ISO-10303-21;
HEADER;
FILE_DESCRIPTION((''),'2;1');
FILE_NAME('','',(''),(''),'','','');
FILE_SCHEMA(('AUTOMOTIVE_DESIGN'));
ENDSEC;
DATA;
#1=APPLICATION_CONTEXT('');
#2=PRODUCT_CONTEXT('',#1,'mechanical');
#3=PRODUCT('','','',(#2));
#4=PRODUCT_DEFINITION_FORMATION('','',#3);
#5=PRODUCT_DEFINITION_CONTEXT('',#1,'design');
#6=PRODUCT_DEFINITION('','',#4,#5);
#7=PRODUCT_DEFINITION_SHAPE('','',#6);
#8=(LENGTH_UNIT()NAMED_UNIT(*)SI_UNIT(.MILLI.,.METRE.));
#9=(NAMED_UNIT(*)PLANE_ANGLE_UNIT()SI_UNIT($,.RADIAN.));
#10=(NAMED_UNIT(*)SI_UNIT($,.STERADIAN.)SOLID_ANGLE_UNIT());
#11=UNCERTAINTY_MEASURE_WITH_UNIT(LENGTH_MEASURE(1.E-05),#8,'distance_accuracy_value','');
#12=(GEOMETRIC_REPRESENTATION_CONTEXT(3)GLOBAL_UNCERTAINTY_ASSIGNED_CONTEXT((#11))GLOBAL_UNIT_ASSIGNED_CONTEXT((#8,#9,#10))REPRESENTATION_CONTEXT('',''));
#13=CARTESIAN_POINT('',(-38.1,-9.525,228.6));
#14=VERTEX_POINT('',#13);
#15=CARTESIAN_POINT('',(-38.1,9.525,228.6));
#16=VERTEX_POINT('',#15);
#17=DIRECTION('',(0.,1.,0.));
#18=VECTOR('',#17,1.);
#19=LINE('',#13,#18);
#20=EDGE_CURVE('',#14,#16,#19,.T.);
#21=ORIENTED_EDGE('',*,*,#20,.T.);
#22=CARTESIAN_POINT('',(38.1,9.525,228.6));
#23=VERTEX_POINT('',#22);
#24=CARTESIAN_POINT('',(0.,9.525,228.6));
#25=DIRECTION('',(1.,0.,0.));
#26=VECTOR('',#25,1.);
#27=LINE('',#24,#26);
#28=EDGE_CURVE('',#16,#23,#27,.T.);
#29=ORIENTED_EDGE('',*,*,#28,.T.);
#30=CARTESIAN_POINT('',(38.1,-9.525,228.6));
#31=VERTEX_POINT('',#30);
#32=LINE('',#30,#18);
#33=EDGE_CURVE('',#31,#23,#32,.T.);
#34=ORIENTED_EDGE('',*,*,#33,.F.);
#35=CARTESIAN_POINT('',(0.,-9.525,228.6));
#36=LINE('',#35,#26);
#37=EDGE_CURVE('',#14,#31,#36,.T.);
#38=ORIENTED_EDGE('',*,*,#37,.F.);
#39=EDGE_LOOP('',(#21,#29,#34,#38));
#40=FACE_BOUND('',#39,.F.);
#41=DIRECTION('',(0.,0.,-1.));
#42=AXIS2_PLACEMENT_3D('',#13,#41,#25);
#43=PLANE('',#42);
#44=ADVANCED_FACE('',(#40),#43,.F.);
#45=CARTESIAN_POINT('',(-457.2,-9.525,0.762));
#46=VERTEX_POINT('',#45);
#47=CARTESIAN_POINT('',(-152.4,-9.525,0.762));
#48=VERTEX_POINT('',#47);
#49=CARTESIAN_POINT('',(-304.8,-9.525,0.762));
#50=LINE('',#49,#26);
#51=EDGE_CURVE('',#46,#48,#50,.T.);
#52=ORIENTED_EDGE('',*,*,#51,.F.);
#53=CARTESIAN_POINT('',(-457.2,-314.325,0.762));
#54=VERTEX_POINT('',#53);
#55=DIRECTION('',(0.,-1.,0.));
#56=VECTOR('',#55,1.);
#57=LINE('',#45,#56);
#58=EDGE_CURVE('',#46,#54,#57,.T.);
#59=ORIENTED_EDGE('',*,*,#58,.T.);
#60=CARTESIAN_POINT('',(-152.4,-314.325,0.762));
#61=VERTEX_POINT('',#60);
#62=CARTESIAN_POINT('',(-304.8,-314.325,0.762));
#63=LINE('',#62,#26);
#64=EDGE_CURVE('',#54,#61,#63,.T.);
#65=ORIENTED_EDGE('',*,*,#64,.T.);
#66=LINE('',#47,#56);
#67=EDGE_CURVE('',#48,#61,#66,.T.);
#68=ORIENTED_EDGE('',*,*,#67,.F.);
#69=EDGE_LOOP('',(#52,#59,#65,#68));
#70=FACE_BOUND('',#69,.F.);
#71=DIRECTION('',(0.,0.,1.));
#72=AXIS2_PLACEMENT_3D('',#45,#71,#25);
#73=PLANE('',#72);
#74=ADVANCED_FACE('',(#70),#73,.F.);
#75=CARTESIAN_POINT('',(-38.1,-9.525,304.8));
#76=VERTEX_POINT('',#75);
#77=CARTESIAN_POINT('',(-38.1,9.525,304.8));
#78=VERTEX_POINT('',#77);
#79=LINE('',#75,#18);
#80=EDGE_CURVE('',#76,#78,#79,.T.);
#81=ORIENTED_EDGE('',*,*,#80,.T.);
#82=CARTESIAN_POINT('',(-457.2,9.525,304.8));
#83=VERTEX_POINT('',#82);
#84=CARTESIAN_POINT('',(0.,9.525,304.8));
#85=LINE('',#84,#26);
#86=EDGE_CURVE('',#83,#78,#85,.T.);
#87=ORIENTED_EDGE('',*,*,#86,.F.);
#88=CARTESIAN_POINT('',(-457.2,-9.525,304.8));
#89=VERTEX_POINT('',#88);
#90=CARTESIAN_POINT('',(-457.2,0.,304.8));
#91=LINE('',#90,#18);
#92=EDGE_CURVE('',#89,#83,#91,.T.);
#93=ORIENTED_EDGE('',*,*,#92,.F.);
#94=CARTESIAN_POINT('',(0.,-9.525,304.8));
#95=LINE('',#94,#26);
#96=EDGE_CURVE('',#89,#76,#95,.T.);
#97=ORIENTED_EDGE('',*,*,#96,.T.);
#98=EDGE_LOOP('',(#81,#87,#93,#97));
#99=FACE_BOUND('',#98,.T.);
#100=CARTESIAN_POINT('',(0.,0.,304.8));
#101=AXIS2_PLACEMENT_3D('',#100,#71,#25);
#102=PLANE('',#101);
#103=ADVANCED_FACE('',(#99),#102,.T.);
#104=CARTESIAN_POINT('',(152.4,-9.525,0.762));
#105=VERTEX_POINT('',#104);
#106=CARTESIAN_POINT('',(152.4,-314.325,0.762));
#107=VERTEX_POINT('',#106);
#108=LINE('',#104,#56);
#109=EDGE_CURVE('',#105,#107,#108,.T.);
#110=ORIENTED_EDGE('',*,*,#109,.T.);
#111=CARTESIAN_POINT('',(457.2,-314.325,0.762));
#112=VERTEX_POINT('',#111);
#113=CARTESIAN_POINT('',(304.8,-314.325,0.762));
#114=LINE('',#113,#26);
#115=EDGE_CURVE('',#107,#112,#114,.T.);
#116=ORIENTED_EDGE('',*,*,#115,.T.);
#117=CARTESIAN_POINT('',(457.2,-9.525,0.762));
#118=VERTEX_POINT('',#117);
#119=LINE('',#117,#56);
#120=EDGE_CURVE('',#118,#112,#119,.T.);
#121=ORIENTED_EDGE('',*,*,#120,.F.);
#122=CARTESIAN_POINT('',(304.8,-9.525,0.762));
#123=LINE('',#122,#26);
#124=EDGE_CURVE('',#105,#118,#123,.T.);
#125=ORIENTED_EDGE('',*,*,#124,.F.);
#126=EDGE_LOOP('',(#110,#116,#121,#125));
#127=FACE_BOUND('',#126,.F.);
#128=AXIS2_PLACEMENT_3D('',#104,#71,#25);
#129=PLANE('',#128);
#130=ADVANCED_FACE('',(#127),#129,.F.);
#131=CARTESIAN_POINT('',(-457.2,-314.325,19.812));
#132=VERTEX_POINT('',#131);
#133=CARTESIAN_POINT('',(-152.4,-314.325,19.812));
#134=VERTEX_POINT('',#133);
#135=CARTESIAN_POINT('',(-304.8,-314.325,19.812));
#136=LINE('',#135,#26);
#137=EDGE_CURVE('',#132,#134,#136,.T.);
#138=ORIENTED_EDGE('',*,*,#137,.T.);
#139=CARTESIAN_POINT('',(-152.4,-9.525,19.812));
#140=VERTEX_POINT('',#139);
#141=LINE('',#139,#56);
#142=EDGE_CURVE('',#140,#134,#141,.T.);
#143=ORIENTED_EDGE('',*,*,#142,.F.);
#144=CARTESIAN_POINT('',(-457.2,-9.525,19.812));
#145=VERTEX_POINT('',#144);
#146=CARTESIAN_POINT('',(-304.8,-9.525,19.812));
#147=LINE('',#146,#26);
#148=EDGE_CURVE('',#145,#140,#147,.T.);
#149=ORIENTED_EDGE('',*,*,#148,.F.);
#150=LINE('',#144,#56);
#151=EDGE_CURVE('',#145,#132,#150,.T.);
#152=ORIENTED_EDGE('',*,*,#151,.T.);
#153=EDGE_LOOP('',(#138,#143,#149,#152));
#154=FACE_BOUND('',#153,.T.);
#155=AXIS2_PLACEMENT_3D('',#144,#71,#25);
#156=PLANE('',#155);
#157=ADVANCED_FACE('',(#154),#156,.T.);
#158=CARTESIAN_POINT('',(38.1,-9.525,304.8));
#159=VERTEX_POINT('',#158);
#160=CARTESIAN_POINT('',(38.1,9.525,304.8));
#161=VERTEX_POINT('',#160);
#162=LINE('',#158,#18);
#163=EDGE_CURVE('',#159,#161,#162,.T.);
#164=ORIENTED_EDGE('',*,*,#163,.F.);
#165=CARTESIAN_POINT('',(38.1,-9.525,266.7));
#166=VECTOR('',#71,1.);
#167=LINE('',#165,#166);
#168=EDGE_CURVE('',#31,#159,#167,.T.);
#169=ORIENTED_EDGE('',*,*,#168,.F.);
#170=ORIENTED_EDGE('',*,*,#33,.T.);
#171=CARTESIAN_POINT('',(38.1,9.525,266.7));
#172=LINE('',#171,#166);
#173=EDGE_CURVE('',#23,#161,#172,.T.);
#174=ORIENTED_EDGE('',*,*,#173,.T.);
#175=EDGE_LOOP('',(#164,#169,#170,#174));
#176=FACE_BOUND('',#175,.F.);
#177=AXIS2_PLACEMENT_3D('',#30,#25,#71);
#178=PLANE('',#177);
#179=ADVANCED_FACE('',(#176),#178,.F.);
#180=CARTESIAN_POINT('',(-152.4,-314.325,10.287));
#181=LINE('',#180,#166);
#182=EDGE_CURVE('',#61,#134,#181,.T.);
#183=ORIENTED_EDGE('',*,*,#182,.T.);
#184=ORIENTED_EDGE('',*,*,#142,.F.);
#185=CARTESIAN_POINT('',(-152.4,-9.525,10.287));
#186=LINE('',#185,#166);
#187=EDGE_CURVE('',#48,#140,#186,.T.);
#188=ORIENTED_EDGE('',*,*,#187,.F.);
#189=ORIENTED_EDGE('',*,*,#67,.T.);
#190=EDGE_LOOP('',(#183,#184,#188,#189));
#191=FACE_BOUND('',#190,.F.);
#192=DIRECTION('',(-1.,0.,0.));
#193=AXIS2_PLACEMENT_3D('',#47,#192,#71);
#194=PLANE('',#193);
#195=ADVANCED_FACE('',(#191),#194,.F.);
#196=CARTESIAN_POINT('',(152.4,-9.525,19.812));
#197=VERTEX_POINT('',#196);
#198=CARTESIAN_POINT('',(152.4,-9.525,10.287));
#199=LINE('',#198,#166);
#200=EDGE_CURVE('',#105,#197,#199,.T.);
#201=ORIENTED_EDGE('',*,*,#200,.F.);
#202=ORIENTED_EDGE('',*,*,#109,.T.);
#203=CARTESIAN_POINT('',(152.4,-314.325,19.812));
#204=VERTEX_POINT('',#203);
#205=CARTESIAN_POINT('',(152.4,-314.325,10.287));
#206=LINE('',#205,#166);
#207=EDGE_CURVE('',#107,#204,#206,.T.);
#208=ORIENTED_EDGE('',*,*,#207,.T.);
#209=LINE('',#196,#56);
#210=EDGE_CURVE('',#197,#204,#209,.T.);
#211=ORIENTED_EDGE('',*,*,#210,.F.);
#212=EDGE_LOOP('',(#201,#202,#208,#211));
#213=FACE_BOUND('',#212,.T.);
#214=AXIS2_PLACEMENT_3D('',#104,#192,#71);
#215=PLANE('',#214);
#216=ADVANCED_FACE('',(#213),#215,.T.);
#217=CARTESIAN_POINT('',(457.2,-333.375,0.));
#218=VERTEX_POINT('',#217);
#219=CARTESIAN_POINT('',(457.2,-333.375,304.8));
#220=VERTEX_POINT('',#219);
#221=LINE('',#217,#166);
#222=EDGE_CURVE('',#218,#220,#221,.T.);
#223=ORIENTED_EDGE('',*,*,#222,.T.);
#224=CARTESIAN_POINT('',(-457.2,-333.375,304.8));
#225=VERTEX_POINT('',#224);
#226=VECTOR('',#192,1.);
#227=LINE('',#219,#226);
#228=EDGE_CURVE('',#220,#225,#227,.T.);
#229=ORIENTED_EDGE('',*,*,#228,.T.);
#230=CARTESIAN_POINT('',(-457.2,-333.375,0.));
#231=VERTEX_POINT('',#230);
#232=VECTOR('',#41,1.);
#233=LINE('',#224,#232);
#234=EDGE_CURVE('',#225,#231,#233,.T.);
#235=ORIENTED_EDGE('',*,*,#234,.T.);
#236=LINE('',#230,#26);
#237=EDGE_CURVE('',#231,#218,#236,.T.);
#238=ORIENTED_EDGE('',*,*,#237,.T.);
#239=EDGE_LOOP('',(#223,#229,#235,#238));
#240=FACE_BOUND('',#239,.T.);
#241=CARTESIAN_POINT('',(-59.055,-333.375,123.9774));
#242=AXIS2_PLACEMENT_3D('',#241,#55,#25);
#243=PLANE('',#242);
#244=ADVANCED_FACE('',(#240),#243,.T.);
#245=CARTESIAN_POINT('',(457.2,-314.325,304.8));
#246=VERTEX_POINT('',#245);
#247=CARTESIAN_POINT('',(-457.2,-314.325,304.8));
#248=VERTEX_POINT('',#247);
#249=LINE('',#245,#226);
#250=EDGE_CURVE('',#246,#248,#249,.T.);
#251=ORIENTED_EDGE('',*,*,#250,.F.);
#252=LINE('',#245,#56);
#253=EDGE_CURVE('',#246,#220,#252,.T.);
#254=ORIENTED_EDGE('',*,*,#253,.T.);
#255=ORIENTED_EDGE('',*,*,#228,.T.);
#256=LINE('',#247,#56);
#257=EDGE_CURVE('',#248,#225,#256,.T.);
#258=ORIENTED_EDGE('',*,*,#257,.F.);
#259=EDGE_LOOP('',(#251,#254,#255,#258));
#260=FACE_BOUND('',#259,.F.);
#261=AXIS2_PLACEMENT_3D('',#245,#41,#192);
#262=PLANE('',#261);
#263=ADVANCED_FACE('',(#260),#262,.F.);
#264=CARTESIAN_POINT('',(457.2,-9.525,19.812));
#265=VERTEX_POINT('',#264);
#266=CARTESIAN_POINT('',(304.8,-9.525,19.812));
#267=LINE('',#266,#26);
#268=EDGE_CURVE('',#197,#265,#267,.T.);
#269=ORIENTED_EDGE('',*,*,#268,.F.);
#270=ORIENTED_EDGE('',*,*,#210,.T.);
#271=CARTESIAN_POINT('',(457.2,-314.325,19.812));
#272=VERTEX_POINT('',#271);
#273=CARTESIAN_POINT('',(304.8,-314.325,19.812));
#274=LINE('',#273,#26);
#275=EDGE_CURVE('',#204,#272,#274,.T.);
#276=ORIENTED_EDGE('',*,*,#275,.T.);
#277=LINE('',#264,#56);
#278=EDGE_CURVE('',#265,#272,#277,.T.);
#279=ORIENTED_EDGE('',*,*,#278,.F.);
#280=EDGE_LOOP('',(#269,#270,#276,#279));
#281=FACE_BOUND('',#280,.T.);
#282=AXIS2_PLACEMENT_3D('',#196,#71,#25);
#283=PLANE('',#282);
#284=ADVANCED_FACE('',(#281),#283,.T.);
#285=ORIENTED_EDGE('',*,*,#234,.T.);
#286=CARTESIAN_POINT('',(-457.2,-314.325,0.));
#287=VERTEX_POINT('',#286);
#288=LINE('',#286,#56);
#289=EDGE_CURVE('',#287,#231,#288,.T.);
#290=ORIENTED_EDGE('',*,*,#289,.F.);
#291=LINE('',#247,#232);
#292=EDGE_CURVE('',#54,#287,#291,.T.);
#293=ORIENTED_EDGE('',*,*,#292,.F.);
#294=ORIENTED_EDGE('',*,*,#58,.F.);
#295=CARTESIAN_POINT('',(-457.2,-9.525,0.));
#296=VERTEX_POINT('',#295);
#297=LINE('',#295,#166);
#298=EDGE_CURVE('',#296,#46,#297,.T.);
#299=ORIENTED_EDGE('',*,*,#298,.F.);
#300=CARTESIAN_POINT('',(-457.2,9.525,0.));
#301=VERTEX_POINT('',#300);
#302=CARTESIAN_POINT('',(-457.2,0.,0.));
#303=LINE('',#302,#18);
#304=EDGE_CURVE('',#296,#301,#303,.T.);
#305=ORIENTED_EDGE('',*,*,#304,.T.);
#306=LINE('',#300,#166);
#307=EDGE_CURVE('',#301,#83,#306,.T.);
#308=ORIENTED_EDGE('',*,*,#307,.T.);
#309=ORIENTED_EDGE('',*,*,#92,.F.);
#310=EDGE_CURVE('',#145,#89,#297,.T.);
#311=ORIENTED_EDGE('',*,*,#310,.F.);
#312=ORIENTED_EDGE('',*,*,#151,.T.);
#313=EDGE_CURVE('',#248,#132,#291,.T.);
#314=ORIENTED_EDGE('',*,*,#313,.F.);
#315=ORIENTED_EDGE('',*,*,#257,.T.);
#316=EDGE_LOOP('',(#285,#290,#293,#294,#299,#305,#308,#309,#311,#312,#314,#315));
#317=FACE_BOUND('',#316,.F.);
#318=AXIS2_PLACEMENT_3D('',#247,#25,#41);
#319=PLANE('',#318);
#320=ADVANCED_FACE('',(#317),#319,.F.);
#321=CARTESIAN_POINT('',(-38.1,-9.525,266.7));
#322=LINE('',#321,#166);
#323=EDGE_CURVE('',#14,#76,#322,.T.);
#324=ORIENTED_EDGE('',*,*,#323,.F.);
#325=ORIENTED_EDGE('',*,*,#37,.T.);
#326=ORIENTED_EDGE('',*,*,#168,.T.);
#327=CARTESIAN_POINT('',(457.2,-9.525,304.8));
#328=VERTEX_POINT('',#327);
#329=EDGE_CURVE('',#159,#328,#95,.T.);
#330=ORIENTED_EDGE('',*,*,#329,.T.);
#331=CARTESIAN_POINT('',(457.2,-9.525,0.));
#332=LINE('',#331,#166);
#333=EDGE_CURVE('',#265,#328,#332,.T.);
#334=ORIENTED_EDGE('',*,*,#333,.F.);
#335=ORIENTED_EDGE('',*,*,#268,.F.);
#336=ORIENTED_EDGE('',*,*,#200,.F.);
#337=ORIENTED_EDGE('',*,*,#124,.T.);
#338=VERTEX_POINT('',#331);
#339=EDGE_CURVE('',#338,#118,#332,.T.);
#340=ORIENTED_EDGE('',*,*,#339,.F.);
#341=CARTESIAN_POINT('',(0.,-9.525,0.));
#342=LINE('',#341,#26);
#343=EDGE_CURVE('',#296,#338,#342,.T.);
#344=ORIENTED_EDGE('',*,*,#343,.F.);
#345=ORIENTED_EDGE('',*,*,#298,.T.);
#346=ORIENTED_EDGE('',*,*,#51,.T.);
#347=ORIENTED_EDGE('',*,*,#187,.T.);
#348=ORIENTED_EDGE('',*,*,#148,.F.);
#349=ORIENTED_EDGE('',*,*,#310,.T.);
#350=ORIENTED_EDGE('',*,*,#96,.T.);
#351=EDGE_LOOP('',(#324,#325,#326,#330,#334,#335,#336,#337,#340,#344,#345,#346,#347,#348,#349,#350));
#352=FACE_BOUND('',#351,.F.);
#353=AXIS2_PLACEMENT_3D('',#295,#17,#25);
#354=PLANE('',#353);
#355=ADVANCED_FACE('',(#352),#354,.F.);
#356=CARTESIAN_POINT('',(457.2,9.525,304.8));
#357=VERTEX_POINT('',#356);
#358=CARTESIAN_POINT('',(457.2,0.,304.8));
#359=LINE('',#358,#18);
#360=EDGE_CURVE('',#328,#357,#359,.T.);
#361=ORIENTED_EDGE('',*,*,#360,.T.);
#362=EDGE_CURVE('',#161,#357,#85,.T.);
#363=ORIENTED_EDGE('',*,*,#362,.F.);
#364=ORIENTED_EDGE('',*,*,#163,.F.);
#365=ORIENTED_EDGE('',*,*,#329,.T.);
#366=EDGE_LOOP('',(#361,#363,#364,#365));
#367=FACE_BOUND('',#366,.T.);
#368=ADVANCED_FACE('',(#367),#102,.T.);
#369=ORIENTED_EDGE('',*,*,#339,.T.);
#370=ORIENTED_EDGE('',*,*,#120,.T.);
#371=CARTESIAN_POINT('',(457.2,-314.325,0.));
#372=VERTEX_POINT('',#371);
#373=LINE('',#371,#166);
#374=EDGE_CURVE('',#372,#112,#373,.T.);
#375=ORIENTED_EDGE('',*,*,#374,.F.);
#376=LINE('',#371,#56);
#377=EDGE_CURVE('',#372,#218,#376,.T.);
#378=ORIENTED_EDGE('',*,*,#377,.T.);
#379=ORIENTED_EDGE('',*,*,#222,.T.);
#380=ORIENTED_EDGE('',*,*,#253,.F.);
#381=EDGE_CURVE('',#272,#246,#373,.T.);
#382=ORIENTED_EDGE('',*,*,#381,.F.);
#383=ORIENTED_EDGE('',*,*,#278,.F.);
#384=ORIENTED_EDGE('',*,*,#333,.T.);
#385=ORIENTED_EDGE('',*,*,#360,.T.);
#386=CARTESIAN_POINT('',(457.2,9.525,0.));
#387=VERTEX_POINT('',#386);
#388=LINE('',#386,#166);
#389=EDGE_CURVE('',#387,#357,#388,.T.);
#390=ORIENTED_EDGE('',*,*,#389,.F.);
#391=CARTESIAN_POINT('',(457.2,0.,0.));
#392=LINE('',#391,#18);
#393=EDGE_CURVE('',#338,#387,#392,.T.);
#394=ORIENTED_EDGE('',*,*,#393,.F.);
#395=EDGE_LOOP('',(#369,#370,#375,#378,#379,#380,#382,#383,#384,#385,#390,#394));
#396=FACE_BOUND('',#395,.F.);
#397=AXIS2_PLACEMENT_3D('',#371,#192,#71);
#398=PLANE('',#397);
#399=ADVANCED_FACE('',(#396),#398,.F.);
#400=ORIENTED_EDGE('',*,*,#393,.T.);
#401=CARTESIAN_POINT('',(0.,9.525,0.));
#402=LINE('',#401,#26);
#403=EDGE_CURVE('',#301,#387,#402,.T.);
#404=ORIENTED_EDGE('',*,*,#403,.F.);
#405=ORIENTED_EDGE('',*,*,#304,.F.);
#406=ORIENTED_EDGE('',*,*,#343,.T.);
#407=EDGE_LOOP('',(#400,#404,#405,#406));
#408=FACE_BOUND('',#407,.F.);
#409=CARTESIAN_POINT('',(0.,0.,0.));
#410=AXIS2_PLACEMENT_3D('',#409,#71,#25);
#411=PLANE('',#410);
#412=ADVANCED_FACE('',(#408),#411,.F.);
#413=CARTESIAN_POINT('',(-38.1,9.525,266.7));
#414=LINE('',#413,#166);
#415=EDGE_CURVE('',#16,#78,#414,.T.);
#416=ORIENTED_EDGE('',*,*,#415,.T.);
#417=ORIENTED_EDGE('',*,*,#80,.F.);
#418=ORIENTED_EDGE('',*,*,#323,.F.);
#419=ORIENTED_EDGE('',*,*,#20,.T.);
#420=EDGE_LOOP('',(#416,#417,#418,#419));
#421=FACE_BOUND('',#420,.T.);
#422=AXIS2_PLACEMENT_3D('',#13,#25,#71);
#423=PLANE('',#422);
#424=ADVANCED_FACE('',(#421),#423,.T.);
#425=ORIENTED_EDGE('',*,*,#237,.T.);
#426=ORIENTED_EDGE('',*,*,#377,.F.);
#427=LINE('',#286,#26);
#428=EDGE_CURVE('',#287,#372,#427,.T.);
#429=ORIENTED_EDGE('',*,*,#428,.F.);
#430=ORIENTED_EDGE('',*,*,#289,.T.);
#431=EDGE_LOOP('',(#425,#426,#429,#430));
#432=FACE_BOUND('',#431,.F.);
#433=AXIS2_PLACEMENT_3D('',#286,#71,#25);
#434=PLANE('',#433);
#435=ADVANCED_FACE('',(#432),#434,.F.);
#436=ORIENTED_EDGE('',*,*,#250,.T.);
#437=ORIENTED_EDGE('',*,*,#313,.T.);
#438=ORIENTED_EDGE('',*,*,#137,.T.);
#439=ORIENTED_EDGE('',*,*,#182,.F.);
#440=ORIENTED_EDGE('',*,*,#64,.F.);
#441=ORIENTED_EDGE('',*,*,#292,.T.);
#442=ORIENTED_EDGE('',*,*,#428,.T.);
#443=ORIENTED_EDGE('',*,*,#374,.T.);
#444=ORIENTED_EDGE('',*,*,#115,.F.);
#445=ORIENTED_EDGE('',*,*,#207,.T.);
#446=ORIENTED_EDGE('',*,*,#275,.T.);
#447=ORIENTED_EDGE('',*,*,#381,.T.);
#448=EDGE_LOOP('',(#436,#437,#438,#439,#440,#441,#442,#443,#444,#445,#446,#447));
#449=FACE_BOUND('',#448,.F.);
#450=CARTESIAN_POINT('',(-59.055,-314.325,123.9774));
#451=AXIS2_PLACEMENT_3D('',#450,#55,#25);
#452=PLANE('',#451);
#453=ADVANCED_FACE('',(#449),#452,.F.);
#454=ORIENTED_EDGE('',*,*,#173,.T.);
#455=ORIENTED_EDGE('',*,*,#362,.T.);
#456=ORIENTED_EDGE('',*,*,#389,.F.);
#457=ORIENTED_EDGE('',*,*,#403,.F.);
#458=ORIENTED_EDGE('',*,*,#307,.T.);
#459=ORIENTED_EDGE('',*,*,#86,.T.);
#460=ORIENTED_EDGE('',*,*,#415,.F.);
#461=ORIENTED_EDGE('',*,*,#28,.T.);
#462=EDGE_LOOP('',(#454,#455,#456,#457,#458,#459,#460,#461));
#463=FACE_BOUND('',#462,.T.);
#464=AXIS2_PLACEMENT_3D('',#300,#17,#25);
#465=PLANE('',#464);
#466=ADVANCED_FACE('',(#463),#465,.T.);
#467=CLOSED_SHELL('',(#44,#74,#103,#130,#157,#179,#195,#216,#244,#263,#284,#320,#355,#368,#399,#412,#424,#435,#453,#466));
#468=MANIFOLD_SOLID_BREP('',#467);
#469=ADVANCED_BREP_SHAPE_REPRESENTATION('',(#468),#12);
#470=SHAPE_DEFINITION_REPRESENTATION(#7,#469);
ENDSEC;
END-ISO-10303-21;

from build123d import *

# Parameters (mm, degrees)
F0_W     = 914.4
F0_H     = 19.05
F1_DEPTH = 304.8
F2_W     = 76.2
F2_H     = 76.2
F3_DEPTH = 19.05
F4_W     = 304.8
F4_H     = 19.05
F5_DEPTH = 304.8
F6_W     = 304.8
F6_H     = 19.05
F7_DEPTH = 304.8
F8_W     = 304.8
F8_H     = 19.05
F9_DEPTH = 19.05


with BuildPart() as f1:
    # F0 (on Top) → F1 (new body)
    with BuildSketch(Plane.XY):
        Rectangle(F0_W, F0_H)
    extrude(amount=F1_DEPTH)

    # F2 (on face) → F3 (cut)
    with BuildSketch(Plane.XZ.offset(9.525)):
        with Locations((0, 266.7)):
            Rectangle(F2_W, F2_H)
    extrude(amount=-F3_DEPTH, mode=Mode.SUBTRACT)

    # F4 (on face) → F5 (join)
    with BuildSketch(Plane.XZ.offset(9.525)):
        with Locations((-304.8, 10.287)):
            Rectangle(F4_W, F4_H)
    extrude(amount=F5_DEPTH)

    # F6 (on face) → F7 (join)
    with BuildSketch(Plane.XZ.offset(9.525)):
        with Locations((304.8, 10.287)):
            Rectangle(F6_W, F6_H)
    extrude(amount=F7_DEPTH)

    # F8 (on face) → F9 (join)
    with BuildSketch(Plane.XZ.offset(314.325)):
        Polygon((-152.4, 0.762), (-457.2, 0.762), (-457.2, 0), (457.2, 0), (457.2, 304.8), (-457.2, 304.8), (-457.2, 19.812), (-152.4, 19.812), align=None)
        with Locations((-304.8, 10.287)):
            Rectangle(F8_W, F8_H)
    extrude(amount=F9_DEPTH)


solid = f1.part
